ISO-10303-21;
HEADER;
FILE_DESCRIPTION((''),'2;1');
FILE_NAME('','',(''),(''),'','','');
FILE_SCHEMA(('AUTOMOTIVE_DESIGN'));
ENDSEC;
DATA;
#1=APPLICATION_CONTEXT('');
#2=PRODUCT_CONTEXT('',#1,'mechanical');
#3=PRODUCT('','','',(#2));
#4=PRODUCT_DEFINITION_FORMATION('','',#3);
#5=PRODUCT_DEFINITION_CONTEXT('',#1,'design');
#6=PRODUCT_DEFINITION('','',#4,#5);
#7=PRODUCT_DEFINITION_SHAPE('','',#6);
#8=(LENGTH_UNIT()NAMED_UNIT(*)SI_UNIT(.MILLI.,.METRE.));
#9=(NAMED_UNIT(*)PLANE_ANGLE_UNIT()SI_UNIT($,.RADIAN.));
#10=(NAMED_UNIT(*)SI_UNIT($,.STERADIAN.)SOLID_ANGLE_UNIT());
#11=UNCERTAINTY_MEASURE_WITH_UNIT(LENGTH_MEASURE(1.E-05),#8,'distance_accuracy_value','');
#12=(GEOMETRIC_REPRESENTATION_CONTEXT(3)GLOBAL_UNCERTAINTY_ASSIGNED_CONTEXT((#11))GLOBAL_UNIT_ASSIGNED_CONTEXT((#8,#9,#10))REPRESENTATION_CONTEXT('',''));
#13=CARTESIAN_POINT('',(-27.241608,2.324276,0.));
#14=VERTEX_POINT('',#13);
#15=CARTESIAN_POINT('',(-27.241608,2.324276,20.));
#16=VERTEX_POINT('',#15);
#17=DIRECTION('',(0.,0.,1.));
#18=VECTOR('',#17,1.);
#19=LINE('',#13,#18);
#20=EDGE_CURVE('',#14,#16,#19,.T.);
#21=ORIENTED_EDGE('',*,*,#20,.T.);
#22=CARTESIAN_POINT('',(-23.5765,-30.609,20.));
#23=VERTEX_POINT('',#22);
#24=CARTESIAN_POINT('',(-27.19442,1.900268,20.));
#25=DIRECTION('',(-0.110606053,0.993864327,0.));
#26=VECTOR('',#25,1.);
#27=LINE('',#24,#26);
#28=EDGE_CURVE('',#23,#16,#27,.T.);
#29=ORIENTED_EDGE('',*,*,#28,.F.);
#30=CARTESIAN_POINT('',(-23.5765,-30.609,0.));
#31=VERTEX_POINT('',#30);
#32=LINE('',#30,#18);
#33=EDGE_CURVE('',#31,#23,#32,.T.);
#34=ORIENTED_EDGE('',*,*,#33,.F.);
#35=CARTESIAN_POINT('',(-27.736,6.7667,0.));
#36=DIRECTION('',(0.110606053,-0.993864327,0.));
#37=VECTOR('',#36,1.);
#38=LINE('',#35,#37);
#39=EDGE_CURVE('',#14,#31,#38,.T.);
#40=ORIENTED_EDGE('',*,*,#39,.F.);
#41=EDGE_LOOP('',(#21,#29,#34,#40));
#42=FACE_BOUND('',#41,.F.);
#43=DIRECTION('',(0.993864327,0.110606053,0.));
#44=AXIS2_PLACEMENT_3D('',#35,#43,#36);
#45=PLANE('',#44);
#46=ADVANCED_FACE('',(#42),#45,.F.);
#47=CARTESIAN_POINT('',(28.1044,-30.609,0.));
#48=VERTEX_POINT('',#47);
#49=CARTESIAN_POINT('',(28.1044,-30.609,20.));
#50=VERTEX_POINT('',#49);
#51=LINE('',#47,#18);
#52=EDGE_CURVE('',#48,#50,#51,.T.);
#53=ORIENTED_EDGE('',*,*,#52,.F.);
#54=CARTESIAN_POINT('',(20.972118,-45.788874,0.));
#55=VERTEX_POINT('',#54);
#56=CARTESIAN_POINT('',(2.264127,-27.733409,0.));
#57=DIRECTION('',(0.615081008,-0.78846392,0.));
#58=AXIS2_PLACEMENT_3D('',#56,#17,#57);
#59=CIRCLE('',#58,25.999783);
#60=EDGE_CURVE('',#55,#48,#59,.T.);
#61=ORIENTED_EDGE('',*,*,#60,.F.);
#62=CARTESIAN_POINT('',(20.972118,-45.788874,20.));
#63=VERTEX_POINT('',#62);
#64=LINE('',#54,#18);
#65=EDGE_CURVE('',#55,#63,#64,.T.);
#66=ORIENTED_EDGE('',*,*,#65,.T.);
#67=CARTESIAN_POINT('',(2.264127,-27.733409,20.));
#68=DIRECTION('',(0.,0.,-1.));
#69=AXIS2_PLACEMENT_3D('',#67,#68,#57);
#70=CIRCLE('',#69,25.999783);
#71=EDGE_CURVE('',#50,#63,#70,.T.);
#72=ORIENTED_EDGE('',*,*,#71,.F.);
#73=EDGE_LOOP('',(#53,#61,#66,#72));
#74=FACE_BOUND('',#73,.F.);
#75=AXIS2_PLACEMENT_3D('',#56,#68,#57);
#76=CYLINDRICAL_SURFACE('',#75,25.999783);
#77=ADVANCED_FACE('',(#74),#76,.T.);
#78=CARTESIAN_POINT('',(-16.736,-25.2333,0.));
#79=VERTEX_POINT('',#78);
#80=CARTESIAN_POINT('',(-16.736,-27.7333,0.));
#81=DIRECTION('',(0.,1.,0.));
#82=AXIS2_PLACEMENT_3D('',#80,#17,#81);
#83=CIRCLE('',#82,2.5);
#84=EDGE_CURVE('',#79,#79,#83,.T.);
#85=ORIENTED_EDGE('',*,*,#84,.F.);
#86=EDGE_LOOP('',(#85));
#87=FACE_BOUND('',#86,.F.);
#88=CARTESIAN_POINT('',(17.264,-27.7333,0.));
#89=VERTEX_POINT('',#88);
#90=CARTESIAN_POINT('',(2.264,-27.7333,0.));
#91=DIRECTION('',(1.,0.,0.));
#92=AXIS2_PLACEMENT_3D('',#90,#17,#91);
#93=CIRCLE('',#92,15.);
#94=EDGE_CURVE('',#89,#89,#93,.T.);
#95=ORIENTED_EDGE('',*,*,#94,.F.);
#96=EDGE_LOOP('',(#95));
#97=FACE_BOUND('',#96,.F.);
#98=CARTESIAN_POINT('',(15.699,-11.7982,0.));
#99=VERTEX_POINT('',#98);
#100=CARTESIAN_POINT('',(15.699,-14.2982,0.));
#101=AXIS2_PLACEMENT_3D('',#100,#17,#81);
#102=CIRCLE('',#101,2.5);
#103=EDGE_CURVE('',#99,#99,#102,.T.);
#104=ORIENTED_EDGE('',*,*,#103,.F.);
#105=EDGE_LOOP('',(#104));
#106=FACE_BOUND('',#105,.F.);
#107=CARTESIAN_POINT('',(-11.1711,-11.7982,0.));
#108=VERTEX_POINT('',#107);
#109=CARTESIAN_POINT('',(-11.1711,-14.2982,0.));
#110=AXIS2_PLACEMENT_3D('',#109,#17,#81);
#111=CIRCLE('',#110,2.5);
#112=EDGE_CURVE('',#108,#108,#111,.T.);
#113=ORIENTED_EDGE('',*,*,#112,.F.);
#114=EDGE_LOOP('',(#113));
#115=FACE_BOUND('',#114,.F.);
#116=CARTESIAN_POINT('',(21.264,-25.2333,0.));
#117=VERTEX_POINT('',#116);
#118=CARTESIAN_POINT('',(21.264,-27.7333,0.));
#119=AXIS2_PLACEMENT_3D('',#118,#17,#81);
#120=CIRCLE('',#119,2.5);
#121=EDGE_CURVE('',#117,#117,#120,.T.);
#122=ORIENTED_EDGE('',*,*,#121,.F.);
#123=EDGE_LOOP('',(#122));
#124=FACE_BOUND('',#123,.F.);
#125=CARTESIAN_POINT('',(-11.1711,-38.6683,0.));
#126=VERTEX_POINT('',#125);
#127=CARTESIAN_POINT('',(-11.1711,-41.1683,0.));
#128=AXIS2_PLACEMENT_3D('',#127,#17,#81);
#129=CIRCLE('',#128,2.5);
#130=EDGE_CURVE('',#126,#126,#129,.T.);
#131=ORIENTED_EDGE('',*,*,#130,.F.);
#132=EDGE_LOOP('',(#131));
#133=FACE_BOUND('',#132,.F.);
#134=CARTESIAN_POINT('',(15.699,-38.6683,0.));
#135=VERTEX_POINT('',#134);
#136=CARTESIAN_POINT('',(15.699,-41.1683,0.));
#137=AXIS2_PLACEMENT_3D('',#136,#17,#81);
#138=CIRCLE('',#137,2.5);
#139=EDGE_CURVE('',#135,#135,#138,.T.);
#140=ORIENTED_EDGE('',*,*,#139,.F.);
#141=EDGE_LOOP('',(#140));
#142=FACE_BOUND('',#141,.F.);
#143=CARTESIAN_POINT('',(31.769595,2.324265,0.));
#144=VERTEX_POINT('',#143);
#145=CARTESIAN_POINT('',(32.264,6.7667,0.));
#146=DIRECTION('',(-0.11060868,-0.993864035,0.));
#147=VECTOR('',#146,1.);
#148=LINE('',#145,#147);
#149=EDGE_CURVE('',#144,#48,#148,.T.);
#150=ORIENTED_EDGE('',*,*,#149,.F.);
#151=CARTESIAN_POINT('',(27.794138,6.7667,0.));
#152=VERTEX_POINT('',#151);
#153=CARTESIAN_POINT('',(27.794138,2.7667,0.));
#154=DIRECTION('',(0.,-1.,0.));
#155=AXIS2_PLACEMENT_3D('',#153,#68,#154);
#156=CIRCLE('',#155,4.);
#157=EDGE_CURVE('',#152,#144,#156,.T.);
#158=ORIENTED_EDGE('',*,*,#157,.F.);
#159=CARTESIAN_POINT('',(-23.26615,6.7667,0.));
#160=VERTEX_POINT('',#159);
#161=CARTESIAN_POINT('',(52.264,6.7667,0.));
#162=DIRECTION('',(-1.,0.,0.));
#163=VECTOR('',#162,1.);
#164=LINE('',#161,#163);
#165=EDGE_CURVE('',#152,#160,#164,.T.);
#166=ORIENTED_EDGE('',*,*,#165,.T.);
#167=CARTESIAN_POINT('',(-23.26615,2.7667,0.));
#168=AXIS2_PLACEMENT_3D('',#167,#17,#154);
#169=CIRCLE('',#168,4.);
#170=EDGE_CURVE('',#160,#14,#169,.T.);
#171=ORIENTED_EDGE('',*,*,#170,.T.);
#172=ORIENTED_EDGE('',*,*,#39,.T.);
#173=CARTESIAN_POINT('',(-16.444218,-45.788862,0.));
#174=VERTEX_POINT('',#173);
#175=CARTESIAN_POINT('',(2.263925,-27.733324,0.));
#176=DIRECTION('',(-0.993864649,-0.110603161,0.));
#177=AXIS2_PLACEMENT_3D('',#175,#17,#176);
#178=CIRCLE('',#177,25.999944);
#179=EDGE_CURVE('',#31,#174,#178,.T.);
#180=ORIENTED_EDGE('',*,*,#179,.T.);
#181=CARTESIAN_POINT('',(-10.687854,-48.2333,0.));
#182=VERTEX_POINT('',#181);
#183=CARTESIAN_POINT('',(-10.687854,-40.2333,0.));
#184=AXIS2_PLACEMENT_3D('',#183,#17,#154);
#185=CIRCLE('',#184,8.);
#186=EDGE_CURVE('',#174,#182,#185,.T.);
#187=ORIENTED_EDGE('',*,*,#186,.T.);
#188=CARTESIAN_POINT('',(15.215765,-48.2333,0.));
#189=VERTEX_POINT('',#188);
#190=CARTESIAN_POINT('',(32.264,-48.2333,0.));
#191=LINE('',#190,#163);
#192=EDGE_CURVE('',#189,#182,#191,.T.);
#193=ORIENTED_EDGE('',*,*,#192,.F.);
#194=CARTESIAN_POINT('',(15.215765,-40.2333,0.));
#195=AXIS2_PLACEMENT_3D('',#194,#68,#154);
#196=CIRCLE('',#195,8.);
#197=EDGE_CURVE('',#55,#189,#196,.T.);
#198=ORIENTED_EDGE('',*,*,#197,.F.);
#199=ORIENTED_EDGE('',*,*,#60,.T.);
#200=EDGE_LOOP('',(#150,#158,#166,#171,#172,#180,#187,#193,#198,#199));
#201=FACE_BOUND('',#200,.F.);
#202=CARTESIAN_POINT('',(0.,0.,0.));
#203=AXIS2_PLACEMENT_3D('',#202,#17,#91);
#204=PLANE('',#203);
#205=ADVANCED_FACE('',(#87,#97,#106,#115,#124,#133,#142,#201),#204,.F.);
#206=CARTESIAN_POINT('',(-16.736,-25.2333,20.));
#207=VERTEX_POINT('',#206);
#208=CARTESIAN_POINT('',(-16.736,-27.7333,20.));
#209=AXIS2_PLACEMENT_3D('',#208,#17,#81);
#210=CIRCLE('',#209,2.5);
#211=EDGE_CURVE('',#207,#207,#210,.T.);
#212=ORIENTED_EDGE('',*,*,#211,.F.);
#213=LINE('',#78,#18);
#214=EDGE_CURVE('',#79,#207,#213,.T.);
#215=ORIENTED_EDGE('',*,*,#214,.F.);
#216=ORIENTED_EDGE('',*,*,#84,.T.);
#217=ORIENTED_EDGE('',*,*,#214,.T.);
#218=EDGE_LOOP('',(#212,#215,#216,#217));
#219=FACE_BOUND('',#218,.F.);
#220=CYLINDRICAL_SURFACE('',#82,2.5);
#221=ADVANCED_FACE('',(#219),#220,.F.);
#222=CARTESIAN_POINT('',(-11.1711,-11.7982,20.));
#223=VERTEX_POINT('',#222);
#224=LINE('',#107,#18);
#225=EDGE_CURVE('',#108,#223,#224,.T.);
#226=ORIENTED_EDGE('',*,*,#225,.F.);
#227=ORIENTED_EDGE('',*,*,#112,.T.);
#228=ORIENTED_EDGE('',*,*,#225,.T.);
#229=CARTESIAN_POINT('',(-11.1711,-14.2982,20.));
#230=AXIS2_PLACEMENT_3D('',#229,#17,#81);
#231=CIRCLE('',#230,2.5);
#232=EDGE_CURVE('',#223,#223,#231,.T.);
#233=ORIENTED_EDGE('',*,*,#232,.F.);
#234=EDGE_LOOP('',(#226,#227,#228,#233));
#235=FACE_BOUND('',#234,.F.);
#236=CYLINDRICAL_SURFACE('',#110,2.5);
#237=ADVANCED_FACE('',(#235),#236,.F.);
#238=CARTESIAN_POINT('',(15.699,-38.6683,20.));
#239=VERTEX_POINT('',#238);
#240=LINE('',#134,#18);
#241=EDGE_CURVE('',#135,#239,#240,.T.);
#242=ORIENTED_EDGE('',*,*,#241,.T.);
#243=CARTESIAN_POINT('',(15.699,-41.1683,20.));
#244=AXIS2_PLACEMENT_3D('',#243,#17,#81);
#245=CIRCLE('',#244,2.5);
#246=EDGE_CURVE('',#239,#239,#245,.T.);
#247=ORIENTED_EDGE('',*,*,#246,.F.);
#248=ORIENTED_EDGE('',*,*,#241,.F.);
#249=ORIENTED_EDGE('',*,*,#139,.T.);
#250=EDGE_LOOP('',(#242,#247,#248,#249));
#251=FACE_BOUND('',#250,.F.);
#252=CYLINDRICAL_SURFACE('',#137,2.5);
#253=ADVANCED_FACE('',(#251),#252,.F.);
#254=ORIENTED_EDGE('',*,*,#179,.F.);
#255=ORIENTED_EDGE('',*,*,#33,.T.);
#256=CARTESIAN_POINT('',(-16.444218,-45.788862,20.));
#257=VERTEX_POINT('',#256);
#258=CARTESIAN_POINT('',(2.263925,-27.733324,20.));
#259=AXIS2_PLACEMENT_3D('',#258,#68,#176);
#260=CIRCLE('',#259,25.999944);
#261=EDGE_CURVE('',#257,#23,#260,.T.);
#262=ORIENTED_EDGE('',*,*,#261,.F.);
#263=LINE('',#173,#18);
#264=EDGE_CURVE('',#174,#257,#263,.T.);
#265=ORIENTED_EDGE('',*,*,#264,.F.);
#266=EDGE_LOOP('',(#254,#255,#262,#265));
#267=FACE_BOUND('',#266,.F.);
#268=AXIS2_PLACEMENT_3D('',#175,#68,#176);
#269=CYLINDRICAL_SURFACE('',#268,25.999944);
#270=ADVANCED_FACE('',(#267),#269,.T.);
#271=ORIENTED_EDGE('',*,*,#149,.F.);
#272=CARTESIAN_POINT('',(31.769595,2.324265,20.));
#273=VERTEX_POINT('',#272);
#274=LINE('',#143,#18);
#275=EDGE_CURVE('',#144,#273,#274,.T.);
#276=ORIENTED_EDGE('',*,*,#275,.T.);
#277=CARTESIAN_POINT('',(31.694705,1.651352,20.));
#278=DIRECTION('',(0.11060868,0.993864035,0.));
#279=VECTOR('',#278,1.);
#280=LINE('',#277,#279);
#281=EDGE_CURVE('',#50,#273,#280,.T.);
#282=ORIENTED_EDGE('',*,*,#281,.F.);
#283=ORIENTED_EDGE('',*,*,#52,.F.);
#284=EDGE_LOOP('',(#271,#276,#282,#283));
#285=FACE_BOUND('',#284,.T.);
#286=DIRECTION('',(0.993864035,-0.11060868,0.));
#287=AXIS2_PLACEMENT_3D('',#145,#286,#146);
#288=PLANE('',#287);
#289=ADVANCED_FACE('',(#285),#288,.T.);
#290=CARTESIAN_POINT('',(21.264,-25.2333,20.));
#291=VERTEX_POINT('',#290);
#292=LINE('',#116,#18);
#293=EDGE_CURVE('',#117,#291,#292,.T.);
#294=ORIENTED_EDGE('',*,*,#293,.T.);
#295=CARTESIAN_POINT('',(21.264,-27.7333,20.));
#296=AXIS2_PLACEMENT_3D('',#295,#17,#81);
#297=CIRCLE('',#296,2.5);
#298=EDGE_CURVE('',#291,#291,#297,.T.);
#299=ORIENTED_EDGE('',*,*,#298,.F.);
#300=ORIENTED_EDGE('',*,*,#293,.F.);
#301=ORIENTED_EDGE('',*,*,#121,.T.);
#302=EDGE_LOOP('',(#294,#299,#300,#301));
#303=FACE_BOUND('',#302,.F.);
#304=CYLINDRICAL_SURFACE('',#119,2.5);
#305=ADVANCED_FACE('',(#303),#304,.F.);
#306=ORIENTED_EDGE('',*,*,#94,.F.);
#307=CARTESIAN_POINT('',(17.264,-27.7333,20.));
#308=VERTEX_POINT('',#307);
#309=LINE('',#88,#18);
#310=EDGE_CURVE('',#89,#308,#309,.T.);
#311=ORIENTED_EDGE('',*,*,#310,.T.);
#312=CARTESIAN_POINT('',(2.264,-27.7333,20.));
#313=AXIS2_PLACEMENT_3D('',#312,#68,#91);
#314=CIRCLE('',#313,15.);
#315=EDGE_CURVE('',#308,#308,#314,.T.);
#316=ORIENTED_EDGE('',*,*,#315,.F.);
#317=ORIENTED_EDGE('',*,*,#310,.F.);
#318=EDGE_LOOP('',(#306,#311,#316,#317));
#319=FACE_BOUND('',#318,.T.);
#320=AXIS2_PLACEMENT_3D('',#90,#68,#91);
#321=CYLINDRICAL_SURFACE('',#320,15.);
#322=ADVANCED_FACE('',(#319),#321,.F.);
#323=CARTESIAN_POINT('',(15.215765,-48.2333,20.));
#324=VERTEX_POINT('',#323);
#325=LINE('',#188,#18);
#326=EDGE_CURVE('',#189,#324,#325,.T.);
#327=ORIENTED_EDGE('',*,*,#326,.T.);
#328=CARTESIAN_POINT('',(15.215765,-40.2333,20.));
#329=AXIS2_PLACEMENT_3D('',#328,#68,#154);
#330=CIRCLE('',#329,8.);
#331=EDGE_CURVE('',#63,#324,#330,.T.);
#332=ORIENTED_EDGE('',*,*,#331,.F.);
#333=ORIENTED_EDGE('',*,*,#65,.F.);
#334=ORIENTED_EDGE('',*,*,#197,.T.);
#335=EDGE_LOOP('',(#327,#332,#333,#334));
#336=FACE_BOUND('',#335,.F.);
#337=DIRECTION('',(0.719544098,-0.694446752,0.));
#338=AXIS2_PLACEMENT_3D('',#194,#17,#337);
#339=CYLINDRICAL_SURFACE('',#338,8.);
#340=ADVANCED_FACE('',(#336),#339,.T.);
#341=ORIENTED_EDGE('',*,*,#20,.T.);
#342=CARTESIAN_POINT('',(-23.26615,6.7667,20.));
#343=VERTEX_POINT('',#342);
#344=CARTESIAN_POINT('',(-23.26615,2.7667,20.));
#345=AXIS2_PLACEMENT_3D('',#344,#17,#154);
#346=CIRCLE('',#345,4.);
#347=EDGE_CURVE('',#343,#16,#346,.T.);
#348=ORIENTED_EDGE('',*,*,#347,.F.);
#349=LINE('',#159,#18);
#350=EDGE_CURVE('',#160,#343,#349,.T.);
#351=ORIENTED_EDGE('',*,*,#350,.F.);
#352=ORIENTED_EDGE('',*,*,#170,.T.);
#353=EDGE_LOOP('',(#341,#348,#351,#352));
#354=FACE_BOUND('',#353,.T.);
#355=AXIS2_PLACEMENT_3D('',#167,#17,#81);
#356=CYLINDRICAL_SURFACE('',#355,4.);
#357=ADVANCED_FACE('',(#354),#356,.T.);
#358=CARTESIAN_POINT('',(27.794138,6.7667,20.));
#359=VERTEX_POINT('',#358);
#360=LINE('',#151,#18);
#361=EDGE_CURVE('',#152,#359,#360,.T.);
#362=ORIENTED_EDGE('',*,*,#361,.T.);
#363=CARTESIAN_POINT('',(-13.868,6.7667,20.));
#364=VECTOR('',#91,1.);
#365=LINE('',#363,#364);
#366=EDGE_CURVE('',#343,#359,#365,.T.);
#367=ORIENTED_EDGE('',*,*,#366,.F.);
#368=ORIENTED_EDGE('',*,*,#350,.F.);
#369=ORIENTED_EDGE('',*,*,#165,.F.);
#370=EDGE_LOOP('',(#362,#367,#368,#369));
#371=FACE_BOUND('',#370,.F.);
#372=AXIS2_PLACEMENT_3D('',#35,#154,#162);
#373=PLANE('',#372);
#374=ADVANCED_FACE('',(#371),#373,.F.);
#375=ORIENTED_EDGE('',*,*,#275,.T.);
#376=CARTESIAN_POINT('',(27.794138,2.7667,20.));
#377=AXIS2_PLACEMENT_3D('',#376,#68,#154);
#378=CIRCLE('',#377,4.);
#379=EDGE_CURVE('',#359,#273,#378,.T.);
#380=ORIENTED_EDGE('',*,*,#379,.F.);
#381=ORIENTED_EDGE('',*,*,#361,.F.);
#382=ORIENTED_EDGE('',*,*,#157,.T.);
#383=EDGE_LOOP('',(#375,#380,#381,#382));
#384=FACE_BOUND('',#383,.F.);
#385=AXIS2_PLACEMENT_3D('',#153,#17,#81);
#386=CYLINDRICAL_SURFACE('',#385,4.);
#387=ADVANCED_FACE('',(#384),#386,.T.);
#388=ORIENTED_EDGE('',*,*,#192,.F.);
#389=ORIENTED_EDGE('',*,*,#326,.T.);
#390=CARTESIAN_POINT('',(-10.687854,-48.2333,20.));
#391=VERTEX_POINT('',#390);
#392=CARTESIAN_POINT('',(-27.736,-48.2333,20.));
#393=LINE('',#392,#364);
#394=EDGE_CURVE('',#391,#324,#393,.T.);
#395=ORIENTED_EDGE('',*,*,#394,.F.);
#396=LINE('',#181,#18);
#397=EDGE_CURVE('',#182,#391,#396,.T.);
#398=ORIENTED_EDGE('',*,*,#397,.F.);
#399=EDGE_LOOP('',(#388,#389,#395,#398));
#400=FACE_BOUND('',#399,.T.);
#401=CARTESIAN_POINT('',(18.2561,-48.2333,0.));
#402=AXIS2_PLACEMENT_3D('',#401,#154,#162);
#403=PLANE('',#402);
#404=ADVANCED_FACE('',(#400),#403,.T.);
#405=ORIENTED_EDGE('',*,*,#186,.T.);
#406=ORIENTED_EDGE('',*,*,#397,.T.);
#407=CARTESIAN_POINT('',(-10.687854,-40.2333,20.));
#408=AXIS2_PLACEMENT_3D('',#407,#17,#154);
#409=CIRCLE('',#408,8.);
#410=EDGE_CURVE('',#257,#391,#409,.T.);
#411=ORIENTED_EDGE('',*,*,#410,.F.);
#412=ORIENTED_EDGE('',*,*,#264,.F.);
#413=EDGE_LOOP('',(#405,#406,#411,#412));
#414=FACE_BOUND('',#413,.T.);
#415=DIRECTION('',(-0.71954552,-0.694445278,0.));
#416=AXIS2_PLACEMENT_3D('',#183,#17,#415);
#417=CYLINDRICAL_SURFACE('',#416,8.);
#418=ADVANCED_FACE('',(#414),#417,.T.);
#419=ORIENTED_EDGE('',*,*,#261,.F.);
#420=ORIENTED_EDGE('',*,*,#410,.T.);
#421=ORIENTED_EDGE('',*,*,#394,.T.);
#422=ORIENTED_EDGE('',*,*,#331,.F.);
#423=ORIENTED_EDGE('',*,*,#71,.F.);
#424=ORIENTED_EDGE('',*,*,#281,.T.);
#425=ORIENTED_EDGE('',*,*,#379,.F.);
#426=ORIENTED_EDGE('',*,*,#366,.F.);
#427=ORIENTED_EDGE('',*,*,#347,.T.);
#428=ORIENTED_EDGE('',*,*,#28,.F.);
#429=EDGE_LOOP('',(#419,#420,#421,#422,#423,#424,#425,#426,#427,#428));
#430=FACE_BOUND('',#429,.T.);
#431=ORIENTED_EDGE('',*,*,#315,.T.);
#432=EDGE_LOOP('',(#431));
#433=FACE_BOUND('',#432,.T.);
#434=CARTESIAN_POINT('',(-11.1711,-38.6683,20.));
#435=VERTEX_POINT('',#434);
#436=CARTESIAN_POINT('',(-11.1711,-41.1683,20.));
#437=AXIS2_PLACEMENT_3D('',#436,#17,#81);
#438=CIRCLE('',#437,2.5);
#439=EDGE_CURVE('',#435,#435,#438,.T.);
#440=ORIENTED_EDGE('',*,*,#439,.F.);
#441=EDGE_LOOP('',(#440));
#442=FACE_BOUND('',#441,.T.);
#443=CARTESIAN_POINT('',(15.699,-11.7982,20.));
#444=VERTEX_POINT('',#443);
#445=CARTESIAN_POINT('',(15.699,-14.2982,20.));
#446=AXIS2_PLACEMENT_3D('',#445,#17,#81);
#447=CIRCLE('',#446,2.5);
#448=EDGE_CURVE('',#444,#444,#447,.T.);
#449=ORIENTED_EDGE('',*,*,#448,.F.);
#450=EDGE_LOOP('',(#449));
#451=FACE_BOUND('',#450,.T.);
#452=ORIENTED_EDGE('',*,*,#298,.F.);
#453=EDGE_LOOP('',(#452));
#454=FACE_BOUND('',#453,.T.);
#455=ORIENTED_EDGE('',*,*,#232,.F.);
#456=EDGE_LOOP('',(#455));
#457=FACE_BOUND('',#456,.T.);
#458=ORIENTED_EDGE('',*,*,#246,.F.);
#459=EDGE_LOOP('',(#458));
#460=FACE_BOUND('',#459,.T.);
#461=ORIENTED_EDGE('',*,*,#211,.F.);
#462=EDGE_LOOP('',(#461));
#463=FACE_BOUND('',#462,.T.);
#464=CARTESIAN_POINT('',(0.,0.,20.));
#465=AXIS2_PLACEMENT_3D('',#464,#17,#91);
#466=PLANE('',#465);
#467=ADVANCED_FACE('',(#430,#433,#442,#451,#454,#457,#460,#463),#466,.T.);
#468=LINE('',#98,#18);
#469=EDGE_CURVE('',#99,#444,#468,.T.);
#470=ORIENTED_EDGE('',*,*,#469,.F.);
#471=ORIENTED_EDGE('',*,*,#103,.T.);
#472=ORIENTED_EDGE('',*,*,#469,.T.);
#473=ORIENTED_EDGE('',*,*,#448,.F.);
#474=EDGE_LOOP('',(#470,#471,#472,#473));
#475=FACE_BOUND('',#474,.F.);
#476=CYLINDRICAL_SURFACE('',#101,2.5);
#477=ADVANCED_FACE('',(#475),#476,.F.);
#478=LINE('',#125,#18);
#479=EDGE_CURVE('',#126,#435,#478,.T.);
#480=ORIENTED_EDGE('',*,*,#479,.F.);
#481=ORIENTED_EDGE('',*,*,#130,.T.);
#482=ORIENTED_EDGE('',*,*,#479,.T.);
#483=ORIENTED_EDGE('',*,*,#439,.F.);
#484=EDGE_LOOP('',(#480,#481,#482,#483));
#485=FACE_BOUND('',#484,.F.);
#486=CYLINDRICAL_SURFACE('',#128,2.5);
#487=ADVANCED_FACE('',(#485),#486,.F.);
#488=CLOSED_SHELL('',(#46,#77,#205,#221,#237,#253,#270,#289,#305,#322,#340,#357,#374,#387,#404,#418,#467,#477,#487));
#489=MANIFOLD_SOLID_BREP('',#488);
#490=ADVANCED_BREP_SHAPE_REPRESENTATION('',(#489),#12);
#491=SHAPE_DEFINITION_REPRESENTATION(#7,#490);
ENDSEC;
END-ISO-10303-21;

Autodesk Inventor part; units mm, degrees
ref_plane "YZ Plane" through (0, 0, 0) normal (1, 0, 0) x (0, 1, 0)
ref_plane "XZ Plane" through (0, 0, 0) normal (0, 1, 0) x (-1, 0, 0)
ref_plane "XY Plane" through (0, 0, 0) normal (0, 0, 1) x (1, 0, 0)
sketch "Szkic1" plane through (0, 0, 0) normal (0, 0, 1) x (1, 0, 0)
  line L0 (-47.736, 26.7667) -> (-47.736, 6.7667)
  line L1 (-47.736, 26.7667) -> (52.264, 26.7667)
  line L2 (52.264, 26.7667) -> (52.264, 6.7667)
  line L3 (52.264, 6.7667) -> (32.264, 6.7667)
  line L4 (32.264, 6.7667) -> (32.264, -48.2333)
  line L5 (32.264, -48.2333) -> (-27.736, -48.2333)
  line L6 (-27.736, -48.2333) -> (-27.736, 6.7667)
  line L7 (-27.736, 6.7667) -> (-47.736, 6.7667)
  circle A0 centre (2.264, -27.7333) radius 19
  arc A1 (-11.0025, -7.7333) -> (-11.0025, -47.7333) centre (2.264, -27.7333) ccw
  line L8 (-11.0025, -47.7333) -> (15.5305, -47.7333)
  arc A2 (15.5305, -47.7333) -> (15.5305, -7.7333) centre (2.264, -27.7333) ccw
  line L9 (15.5305, -7.7333) -> (-11.0025, -7.7333)
  circle A3 centre (2.264, -27.7333) radius 15
  circle A4 centre (-37.736, 16.7667) radius 2
  circle A5 centre (2.264, 16.7667) radius 2
  circle A6 centre (42.264, 16.7667) radius 2
  arc A7 (-23.5765, -30.609) -> (-13.7282, -48.2333) centre (2.264, -27.7333) ccw
  arc A8 (18.2561, -48.2333) -> (28.1044, -30.609) centre (2.264, -27.7333) ccw
  line L10 (-27.736, 6.7667) -> (-23.5765, -30.609)
  line L11 (32.264, 6.7667) -> (28.1044, -30.609)
  line L12 (-7.736, 26.7667) -> (-7.736, 66.7667)
  line L13 (-7.736, 66.7667) -> (12.264, 66.7667)
  line L14 (12.264, 66.7667) -> (12.264, 26.7667)
  circle A9 centre (2.264, 56.7667) radius 2
  line L15 (-27.736, 6.7667) -> (32.264, 6.7667)
  point P0 (0, 0)
  point P1 (-16.736, -27.7333)
  point P2 (-11.1711, -41.1683)
  point P3 (15.699, -14.2982)
  point P4 (15.699, -41.1683)
  point P5 (-11.1711, -14.2982)
  point P6 (21.264, -27.7333)
  dimension "d0" = 20
  dimension "d1" = 100
  dimension "d2" = 20
  dimension "d3" = 60
  dimension "d4" = 20
  dimension "d5" = 55
  dimension "d8" = 38
  dimension "d13" = 34.5
  dimension "d14" = 30
  dimension "d15" = 30
  dimension "d24" = 4
  dimension "d25" = 4
  dimension "d26" = 4
  dimension "d29" = 10
  dimension "d30" = 10
  dimension "d31" = 10
  dimension "d32" = 10
  dimension "d33" = 10
  dimension "d34" = 50
  dimension "d42" = 2
  dimension "d47" = 40
  dimension "d48" = 20
  dimension "d49" = 40
  dimension "d50" = 10
  dimension "d51" = 10
  dimension "d52" = 4
extrude "Wyciągnięcie proste1" add sketch "Szkic1" along normal blind 20 contours L1 L2 L3 L15 L7 L0 | L12 L13 L14 L1 | L10 A7 L5 L6 | L15 L11 A8 L5 A7 L10 | L4 L5 A8 L11 | A0 | L9 A2 L8 A1 | A3 | A4 | A5 | A6 | A9
extrude "Wyciągnięcie proste2" cut sketch "Szkic1" along normal through all contours A3 | A4 | A5 | A6 | A9
hole "Otwór1" at (2.264, -27.7333, 0) at (21.264, -27.7333, 0) at (-11.1711, -41.1683, 0) at (15.699, -41.1683, 0) at (15.699, -14.2982, 0) at (-11.1711, -14.2982, 0) at (-16.736, -27.7333, 0) direction (0, 0, 1) diameter 5 end through all
extrude "Wyciągnięcie proste3" cut sketch "Szkic1" along normal through all contours L10 A7 L5 L6 | L4 L5 A8 L11
extrude "Wyciągnięcie proste4" cut sketch "Szkic1" along normal through all contours L1 L2 L3 L15 L7 L0 | L12 L13 L14 L1
fillet "Zaokrąglenie3" radius 4 2 edges at (32.264, 6.7667, 10) (-27.736, 6.7667, 10)
fillet "Zaokrąglenie4" radius 8 2 edges at (-13.7282, -48.2333, 10) (18.2561, -48.2333, 10)
equation "\"d2\" = -0.5 * d3 + 0.5 * d1"
equation "\"d14\" = 0.5 * d3"
equation "\"d34\" = 0.5 * d1"
properties part number "3DP_ABS_Heatbed_Frame_Ball_Screw_Nut_Mounting_Bracket_Filler"
